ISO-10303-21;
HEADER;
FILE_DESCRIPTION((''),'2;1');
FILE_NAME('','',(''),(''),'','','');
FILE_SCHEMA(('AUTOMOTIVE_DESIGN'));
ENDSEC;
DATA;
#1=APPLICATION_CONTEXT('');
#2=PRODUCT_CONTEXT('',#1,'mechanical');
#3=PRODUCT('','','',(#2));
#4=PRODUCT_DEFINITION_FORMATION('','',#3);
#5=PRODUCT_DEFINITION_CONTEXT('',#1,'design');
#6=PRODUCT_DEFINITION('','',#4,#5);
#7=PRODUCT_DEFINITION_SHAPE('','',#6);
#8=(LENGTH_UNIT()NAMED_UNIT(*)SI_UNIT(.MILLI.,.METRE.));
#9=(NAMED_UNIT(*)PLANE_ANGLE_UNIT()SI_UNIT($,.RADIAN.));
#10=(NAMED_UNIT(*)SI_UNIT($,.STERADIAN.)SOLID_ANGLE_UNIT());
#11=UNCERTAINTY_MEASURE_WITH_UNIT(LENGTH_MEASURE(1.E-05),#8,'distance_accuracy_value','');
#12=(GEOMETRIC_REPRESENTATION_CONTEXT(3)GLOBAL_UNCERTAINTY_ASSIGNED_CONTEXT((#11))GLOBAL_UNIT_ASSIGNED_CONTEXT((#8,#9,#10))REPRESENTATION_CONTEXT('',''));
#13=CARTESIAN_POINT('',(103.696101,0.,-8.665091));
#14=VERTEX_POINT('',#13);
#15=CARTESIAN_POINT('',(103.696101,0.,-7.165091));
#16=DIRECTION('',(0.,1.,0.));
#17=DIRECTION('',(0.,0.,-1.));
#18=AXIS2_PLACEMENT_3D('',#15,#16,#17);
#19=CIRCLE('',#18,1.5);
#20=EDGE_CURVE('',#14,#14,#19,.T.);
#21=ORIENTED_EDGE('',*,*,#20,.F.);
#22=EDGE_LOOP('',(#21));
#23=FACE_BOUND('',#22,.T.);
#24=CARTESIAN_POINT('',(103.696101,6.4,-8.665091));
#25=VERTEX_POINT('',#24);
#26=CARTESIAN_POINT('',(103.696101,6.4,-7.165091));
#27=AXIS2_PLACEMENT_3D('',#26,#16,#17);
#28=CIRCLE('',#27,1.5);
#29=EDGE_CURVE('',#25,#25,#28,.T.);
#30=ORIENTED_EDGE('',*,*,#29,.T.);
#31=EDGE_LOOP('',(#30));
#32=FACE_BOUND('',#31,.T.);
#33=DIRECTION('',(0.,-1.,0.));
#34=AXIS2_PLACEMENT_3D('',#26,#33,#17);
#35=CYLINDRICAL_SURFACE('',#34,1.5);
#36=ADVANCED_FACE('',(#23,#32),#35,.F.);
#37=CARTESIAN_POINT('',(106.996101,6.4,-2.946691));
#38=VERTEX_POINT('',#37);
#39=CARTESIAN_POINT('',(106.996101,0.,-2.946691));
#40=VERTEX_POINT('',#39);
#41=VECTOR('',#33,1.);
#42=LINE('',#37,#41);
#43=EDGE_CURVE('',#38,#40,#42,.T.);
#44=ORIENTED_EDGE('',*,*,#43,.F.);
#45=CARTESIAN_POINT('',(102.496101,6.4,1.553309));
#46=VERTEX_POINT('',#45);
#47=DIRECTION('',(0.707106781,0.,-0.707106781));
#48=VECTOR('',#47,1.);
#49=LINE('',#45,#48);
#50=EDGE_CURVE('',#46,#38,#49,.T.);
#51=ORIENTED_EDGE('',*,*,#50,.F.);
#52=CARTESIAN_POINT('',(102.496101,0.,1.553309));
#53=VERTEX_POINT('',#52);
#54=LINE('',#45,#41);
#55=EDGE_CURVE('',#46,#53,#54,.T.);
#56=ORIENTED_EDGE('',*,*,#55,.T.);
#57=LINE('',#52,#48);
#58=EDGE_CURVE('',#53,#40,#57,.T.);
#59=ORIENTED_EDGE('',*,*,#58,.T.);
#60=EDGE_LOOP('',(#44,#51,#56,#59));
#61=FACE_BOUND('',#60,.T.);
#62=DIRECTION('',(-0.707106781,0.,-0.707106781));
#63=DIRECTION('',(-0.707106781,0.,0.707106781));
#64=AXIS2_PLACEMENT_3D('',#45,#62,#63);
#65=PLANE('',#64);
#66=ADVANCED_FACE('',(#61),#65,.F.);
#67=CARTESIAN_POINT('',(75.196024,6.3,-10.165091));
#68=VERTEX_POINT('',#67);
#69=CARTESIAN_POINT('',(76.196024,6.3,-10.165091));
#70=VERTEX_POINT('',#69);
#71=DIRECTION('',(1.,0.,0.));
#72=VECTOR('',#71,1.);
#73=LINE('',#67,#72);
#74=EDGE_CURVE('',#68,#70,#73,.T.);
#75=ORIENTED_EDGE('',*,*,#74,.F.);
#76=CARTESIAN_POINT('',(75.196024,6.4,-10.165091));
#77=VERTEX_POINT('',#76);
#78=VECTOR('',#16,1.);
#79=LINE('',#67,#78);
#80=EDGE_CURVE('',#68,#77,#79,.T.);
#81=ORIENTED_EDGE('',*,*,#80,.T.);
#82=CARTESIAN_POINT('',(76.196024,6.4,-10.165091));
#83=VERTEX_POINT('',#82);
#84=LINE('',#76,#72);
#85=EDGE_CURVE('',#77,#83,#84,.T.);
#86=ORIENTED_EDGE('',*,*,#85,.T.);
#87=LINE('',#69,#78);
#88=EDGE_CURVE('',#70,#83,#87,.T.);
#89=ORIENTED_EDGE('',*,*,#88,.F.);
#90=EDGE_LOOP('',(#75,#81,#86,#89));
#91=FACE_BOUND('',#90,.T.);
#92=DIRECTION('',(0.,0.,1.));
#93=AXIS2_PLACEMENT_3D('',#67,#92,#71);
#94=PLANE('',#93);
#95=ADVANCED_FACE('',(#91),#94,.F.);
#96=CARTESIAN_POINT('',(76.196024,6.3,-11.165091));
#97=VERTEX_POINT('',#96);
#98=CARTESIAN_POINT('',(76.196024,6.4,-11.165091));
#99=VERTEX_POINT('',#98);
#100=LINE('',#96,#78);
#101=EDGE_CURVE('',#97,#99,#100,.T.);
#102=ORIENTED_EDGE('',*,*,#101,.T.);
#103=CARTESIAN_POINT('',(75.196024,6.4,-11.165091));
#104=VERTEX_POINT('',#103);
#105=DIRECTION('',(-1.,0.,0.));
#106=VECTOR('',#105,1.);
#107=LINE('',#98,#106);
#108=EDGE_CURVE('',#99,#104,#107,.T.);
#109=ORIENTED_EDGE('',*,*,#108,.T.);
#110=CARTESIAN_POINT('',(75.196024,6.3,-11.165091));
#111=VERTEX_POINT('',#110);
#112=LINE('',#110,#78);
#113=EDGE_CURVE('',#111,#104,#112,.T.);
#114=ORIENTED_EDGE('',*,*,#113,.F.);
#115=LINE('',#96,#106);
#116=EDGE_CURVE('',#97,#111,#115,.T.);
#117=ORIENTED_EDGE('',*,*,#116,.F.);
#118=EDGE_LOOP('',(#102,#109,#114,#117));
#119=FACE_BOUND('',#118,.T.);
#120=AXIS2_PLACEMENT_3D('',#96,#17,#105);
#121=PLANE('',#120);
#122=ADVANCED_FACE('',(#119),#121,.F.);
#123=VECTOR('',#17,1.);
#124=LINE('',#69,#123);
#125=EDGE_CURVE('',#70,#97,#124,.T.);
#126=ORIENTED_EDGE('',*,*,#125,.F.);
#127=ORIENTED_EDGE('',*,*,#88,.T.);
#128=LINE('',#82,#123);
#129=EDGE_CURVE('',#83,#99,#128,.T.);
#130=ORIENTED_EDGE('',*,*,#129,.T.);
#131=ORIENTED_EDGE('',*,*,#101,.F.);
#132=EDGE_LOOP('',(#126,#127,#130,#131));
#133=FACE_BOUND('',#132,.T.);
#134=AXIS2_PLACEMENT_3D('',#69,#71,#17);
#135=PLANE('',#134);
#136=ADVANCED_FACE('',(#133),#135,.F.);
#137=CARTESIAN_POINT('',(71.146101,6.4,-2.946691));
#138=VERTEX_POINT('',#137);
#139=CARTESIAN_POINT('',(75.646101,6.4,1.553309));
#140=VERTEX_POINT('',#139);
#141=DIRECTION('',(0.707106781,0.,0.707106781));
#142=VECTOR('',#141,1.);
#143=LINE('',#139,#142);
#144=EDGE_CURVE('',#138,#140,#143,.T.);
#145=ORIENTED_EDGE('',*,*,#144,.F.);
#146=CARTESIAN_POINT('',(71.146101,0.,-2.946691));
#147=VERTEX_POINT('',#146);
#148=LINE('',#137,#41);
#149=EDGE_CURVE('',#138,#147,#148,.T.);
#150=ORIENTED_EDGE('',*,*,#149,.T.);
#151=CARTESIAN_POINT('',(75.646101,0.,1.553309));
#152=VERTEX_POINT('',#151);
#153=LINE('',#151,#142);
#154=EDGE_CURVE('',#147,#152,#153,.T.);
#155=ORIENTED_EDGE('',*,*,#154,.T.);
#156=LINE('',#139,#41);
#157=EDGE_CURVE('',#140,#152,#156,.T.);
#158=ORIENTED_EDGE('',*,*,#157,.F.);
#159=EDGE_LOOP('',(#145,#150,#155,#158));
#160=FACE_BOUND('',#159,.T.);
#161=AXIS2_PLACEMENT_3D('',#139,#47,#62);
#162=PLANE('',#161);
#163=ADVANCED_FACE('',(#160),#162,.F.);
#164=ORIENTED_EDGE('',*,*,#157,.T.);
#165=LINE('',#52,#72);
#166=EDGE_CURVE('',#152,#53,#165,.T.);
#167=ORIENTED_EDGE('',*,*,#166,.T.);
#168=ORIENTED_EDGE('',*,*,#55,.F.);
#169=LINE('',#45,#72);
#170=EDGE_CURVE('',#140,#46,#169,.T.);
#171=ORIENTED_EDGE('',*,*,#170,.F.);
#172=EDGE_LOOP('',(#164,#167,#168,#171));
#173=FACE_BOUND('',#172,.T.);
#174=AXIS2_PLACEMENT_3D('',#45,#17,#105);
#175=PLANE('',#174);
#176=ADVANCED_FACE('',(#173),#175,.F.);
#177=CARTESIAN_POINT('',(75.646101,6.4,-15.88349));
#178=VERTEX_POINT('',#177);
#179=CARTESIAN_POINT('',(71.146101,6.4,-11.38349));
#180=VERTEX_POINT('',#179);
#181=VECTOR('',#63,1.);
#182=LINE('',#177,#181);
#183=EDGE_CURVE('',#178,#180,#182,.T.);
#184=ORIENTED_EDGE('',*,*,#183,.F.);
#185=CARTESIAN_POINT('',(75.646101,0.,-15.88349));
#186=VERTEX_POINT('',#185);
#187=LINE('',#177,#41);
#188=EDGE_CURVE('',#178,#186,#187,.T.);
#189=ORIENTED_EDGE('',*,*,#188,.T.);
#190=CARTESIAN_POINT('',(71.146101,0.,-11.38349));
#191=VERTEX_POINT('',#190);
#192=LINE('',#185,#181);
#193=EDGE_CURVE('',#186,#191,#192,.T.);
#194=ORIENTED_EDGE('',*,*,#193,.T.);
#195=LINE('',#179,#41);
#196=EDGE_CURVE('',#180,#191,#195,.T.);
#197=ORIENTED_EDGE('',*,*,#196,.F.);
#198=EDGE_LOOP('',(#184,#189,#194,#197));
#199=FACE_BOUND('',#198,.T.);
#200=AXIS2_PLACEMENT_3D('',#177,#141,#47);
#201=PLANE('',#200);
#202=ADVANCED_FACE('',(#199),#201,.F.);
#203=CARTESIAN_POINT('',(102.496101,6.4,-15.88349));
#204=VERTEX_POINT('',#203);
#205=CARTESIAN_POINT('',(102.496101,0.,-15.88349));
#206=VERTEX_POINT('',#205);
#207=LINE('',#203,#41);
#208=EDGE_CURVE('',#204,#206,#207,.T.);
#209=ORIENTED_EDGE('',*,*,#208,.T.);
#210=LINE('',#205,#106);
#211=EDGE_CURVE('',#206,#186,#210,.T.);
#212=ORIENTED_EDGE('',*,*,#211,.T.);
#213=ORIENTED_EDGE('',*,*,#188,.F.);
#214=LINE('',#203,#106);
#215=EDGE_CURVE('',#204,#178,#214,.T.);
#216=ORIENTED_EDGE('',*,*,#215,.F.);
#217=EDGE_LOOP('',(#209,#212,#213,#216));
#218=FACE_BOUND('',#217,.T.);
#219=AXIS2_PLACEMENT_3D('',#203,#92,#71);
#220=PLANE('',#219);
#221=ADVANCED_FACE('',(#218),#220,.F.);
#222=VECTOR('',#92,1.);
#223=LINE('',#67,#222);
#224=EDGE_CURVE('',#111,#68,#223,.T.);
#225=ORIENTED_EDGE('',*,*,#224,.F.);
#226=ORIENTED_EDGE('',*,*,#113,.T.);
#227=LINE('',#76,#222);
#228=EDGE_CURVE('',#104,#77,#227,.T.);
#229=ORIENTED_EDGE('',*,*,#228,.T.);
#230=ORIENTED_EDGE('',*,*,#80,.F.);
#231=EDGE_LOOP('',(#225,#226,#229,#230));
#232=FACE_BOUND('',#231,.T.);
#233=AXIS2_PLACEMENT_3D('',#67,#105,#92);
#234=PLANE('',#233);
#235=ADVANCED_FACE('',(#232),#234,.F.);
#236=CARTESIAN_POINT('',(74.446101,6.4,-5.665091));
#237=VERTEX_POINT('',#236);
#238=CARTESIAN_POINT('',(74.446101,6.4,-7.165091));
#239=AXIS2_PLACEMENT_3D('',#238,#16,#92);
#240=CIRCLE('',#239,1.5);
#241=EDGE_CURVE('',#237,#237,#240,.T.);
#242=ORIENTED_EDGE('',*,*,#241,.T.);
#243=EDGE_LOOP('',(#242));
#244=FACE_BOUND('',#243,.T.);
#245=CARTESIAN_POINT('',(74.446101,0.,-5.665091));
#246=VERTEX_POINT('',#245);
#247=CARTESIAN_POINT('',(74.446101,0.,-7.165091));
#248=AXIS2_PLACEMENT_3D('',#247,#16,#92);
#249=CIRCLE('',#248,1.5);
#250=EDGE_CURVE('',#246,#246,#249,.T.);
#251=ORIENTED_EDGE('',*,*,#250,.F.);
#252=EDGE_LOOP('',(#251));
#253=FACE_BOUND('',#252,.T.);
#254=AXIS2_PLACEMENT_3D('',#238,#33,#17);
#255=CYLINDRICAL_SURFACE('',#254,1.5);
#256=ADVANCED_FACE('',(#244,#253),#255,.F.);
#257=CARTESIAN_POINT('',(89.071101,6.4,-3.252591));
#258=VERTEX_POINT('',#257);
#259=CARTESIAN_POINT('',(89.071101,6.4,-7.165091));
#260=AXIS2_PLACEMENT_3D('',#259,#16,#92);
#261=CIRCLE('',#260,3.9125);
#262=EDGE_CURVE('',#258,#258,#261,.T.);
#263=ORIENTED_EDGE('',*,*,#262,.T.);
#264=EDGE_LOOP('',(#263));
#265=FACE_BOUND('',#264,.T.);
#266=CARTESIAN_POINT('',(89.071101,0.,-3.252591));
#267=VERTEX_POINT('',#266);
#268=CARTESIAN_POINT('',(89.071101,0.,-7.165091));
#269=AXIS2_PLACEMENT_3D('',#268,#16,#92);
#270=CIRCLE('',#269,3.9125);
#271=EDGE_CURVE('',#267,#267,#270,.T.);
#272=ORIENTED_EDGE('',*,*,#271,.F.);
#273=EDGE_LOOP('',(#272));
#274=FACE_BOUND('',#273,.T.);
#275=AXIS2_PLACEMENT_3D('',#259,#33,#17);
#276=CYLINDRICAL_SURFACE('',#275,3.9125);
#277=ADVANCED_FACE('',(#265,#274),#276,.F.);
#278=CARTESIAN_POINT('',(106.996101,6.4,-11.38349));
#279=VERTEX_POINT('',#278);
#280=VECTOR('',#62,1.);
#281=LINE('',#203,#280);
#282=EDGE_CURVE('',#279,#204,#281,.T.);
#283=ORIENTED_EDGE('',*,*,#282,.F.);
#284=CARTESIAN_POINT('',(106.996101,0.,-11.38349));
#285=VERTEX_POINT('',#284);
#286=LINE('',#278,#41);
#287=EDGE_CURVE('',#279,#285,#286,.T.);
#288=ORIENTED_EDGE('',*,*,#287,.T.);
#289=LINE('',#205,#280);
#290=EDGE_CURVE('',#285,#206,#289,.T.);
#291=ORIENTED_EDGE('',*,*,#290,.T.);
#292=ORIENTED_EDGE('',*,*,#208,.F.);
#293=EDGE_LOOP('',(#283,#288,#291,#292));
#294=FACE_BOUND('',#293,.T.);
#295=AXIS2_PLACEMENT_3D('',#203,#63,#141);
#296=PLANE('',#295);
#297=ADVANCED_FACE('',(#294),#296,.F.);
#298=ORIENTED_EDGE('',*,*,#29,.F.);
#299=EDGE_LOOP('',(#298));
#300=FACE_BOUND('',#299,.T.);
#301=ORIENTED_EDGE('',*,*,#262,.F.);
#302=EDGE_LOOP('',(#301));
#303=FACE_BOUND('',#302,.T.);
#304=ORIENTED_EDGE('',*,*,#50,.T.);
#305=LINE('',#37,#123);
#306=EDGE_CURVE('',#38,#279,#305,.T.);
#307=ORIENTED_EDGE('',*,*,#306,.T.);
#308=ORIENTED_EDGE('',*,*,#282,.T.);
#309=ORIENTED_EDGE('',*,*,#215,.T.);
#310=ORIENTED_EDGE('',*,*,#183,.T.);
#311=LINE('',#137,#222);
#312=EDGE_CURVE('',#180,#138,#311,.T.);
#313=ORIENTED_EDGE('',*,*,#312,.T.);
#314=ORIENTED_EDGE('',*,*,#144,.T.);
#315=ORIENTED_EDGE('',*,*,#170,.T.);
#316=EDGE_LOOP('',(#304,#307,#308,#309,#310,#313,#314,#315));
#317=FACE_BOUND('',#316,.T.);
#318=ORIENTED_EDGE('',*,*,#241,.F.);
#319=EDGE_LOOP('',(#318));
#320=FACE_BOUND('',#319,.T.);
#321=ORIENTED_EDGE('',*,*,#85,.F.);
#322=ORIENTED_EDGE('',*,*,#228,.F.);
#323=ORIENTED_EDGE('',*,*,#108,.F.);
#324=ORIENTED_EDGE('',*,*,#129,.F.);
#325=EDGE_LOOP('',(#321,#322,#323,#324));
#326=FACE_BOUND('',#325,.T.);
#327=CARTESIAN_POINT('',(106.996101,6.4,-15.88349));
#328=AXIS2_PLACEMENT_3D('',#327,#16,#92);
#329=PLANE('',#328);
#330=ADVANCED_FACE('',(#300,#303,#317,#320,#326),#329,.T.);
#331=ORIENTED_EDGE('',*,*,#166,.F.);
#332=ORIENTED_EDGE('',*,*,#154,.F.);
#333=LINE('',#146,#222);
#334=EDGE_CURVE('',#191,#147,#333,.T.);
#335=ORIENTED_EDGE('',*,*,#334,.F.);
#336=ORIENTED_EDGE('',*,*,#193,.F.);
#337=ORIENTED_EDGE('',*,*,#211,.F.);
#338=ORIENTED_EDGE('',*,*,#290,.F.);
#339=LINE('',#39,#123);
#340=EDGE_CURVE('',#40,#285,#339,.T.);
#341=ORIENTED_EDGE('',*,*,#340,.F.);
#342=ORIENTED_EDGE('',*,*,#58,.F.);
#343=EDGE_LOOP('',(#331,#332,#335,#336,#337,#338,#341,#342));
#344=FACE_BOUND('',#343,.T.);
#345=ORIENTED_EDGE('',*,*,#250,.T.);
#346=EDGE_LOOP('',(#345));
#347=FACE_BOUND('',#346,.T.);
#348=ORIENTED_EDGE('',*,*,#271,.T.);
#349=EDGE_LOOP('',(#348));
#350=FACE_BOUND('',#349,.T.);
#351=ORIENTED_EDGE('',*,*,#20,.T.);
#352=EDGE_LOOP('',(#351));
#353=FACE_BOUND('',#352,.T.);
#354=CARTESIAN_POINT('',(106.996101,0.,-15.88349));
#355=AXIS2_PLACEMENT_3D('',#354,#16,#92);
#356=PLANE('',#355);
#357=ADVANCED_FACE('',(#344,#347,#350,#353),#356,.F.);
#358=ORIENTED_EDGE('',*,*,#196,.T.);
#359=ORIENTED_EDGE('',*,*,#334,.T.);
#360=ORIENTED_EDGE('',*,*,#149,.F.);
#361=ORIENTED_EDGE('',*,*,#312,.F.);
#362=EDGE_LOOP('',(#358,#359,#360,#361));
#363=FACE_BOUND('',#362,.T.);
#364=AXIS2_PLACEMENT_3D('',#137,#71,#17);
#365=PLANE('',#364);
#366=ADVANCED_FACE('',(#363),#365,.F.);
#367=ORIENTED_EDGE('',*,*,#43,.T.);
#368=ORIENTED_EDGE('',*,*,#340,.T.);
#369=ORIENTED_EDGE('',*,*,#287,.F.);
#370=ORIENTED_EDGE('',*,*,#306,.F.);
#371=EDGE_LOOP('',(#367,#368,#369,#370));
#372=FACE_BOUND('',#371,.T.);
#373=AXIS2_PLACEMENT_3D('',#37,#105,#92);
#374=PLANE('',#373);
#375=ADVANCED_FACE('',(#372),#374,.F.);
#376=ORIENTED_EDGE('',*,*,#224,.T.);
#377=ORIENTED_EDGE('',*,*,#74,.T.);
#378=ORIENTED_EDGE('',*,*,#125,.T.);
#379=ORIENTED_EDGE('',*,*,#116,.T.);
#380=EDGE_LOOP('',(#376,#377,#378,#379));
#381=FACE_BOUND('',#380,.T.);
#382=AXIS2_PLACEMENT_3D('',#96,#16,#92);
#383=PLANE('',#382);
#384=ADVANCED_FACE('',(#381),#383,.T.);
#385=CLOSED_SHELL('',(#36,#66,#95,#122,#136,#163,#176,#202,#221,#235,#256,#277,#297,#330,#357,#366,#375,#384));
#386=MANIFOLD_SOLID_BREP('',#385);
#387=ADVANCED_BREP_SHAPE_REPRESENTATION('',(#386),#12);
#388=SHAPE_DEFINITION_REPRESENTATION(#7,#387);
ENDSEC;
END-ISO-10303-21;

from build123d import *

# Parameters (mm, degrees)
SKETCH1_R           = 3.9125
SKETCH1_R_2         = 1.5
BOSS_EXTRUDE1_DEPTH = 6.4
SKETCH2_W           = 1
SKETCH2_H           = 1
CUT_EXTRUDE1_DEPTH  = 0.1


with BuildPart() as part:
    # Sketch1 → Boss-Extrude1 (new body)
    with BuildSketch(Plane(origin=(0, 0, 0), x_dir=(1, 0, 0), z_dir=(0, 1, 0))):
        Polygon((102.49610132, 15.883489834), (106.99610132, 11.383489834), (106.99610132, 2.946691354), (102.49610132, -1.553308646), (75.64610132, -1.553308646), (71.14610132, 2.946691354), (71.14610132, 11.383489834), (75.64610132, 15.883489834), align=None)
        with Locations(Location((89.07110132, 7.165090594, 0), (0, 0, 270))):
            Circle(SKETCH1_R, mode=Mode.SUBTRACT)
        with Locations(Location((74.44610132, 7.165090594, 0), (0, 0, 270))):
            Circle(SKETCH1_R_2, mode=Mode.SUBTRACT)
        with Locations(Location((103.69610132, 7.165090594, 0), (0, 0, 90))):
            Circle(SKETCH1_R_2, mode=Mode.SUBTRACT)
    extrude(amount=BOSS_EXTRUDE1_DEPTH)

    # Sketch2 → Cut-Extrude1 (cut)
    with BuildSketch(Plane(origin=(0, 6.4, 0), x_dir=(1, 0, 0), z_dir=(0, 1, 0))):
        with Locations((75.696023721, 10.665090594)):
            Rectangle(SKETCH2_W, SKETCH2_H)
    extrude(amount=-CUT_EXTRUDE1_DEPTH, mode=Mode.SUBTRACT)


solid = part.part
